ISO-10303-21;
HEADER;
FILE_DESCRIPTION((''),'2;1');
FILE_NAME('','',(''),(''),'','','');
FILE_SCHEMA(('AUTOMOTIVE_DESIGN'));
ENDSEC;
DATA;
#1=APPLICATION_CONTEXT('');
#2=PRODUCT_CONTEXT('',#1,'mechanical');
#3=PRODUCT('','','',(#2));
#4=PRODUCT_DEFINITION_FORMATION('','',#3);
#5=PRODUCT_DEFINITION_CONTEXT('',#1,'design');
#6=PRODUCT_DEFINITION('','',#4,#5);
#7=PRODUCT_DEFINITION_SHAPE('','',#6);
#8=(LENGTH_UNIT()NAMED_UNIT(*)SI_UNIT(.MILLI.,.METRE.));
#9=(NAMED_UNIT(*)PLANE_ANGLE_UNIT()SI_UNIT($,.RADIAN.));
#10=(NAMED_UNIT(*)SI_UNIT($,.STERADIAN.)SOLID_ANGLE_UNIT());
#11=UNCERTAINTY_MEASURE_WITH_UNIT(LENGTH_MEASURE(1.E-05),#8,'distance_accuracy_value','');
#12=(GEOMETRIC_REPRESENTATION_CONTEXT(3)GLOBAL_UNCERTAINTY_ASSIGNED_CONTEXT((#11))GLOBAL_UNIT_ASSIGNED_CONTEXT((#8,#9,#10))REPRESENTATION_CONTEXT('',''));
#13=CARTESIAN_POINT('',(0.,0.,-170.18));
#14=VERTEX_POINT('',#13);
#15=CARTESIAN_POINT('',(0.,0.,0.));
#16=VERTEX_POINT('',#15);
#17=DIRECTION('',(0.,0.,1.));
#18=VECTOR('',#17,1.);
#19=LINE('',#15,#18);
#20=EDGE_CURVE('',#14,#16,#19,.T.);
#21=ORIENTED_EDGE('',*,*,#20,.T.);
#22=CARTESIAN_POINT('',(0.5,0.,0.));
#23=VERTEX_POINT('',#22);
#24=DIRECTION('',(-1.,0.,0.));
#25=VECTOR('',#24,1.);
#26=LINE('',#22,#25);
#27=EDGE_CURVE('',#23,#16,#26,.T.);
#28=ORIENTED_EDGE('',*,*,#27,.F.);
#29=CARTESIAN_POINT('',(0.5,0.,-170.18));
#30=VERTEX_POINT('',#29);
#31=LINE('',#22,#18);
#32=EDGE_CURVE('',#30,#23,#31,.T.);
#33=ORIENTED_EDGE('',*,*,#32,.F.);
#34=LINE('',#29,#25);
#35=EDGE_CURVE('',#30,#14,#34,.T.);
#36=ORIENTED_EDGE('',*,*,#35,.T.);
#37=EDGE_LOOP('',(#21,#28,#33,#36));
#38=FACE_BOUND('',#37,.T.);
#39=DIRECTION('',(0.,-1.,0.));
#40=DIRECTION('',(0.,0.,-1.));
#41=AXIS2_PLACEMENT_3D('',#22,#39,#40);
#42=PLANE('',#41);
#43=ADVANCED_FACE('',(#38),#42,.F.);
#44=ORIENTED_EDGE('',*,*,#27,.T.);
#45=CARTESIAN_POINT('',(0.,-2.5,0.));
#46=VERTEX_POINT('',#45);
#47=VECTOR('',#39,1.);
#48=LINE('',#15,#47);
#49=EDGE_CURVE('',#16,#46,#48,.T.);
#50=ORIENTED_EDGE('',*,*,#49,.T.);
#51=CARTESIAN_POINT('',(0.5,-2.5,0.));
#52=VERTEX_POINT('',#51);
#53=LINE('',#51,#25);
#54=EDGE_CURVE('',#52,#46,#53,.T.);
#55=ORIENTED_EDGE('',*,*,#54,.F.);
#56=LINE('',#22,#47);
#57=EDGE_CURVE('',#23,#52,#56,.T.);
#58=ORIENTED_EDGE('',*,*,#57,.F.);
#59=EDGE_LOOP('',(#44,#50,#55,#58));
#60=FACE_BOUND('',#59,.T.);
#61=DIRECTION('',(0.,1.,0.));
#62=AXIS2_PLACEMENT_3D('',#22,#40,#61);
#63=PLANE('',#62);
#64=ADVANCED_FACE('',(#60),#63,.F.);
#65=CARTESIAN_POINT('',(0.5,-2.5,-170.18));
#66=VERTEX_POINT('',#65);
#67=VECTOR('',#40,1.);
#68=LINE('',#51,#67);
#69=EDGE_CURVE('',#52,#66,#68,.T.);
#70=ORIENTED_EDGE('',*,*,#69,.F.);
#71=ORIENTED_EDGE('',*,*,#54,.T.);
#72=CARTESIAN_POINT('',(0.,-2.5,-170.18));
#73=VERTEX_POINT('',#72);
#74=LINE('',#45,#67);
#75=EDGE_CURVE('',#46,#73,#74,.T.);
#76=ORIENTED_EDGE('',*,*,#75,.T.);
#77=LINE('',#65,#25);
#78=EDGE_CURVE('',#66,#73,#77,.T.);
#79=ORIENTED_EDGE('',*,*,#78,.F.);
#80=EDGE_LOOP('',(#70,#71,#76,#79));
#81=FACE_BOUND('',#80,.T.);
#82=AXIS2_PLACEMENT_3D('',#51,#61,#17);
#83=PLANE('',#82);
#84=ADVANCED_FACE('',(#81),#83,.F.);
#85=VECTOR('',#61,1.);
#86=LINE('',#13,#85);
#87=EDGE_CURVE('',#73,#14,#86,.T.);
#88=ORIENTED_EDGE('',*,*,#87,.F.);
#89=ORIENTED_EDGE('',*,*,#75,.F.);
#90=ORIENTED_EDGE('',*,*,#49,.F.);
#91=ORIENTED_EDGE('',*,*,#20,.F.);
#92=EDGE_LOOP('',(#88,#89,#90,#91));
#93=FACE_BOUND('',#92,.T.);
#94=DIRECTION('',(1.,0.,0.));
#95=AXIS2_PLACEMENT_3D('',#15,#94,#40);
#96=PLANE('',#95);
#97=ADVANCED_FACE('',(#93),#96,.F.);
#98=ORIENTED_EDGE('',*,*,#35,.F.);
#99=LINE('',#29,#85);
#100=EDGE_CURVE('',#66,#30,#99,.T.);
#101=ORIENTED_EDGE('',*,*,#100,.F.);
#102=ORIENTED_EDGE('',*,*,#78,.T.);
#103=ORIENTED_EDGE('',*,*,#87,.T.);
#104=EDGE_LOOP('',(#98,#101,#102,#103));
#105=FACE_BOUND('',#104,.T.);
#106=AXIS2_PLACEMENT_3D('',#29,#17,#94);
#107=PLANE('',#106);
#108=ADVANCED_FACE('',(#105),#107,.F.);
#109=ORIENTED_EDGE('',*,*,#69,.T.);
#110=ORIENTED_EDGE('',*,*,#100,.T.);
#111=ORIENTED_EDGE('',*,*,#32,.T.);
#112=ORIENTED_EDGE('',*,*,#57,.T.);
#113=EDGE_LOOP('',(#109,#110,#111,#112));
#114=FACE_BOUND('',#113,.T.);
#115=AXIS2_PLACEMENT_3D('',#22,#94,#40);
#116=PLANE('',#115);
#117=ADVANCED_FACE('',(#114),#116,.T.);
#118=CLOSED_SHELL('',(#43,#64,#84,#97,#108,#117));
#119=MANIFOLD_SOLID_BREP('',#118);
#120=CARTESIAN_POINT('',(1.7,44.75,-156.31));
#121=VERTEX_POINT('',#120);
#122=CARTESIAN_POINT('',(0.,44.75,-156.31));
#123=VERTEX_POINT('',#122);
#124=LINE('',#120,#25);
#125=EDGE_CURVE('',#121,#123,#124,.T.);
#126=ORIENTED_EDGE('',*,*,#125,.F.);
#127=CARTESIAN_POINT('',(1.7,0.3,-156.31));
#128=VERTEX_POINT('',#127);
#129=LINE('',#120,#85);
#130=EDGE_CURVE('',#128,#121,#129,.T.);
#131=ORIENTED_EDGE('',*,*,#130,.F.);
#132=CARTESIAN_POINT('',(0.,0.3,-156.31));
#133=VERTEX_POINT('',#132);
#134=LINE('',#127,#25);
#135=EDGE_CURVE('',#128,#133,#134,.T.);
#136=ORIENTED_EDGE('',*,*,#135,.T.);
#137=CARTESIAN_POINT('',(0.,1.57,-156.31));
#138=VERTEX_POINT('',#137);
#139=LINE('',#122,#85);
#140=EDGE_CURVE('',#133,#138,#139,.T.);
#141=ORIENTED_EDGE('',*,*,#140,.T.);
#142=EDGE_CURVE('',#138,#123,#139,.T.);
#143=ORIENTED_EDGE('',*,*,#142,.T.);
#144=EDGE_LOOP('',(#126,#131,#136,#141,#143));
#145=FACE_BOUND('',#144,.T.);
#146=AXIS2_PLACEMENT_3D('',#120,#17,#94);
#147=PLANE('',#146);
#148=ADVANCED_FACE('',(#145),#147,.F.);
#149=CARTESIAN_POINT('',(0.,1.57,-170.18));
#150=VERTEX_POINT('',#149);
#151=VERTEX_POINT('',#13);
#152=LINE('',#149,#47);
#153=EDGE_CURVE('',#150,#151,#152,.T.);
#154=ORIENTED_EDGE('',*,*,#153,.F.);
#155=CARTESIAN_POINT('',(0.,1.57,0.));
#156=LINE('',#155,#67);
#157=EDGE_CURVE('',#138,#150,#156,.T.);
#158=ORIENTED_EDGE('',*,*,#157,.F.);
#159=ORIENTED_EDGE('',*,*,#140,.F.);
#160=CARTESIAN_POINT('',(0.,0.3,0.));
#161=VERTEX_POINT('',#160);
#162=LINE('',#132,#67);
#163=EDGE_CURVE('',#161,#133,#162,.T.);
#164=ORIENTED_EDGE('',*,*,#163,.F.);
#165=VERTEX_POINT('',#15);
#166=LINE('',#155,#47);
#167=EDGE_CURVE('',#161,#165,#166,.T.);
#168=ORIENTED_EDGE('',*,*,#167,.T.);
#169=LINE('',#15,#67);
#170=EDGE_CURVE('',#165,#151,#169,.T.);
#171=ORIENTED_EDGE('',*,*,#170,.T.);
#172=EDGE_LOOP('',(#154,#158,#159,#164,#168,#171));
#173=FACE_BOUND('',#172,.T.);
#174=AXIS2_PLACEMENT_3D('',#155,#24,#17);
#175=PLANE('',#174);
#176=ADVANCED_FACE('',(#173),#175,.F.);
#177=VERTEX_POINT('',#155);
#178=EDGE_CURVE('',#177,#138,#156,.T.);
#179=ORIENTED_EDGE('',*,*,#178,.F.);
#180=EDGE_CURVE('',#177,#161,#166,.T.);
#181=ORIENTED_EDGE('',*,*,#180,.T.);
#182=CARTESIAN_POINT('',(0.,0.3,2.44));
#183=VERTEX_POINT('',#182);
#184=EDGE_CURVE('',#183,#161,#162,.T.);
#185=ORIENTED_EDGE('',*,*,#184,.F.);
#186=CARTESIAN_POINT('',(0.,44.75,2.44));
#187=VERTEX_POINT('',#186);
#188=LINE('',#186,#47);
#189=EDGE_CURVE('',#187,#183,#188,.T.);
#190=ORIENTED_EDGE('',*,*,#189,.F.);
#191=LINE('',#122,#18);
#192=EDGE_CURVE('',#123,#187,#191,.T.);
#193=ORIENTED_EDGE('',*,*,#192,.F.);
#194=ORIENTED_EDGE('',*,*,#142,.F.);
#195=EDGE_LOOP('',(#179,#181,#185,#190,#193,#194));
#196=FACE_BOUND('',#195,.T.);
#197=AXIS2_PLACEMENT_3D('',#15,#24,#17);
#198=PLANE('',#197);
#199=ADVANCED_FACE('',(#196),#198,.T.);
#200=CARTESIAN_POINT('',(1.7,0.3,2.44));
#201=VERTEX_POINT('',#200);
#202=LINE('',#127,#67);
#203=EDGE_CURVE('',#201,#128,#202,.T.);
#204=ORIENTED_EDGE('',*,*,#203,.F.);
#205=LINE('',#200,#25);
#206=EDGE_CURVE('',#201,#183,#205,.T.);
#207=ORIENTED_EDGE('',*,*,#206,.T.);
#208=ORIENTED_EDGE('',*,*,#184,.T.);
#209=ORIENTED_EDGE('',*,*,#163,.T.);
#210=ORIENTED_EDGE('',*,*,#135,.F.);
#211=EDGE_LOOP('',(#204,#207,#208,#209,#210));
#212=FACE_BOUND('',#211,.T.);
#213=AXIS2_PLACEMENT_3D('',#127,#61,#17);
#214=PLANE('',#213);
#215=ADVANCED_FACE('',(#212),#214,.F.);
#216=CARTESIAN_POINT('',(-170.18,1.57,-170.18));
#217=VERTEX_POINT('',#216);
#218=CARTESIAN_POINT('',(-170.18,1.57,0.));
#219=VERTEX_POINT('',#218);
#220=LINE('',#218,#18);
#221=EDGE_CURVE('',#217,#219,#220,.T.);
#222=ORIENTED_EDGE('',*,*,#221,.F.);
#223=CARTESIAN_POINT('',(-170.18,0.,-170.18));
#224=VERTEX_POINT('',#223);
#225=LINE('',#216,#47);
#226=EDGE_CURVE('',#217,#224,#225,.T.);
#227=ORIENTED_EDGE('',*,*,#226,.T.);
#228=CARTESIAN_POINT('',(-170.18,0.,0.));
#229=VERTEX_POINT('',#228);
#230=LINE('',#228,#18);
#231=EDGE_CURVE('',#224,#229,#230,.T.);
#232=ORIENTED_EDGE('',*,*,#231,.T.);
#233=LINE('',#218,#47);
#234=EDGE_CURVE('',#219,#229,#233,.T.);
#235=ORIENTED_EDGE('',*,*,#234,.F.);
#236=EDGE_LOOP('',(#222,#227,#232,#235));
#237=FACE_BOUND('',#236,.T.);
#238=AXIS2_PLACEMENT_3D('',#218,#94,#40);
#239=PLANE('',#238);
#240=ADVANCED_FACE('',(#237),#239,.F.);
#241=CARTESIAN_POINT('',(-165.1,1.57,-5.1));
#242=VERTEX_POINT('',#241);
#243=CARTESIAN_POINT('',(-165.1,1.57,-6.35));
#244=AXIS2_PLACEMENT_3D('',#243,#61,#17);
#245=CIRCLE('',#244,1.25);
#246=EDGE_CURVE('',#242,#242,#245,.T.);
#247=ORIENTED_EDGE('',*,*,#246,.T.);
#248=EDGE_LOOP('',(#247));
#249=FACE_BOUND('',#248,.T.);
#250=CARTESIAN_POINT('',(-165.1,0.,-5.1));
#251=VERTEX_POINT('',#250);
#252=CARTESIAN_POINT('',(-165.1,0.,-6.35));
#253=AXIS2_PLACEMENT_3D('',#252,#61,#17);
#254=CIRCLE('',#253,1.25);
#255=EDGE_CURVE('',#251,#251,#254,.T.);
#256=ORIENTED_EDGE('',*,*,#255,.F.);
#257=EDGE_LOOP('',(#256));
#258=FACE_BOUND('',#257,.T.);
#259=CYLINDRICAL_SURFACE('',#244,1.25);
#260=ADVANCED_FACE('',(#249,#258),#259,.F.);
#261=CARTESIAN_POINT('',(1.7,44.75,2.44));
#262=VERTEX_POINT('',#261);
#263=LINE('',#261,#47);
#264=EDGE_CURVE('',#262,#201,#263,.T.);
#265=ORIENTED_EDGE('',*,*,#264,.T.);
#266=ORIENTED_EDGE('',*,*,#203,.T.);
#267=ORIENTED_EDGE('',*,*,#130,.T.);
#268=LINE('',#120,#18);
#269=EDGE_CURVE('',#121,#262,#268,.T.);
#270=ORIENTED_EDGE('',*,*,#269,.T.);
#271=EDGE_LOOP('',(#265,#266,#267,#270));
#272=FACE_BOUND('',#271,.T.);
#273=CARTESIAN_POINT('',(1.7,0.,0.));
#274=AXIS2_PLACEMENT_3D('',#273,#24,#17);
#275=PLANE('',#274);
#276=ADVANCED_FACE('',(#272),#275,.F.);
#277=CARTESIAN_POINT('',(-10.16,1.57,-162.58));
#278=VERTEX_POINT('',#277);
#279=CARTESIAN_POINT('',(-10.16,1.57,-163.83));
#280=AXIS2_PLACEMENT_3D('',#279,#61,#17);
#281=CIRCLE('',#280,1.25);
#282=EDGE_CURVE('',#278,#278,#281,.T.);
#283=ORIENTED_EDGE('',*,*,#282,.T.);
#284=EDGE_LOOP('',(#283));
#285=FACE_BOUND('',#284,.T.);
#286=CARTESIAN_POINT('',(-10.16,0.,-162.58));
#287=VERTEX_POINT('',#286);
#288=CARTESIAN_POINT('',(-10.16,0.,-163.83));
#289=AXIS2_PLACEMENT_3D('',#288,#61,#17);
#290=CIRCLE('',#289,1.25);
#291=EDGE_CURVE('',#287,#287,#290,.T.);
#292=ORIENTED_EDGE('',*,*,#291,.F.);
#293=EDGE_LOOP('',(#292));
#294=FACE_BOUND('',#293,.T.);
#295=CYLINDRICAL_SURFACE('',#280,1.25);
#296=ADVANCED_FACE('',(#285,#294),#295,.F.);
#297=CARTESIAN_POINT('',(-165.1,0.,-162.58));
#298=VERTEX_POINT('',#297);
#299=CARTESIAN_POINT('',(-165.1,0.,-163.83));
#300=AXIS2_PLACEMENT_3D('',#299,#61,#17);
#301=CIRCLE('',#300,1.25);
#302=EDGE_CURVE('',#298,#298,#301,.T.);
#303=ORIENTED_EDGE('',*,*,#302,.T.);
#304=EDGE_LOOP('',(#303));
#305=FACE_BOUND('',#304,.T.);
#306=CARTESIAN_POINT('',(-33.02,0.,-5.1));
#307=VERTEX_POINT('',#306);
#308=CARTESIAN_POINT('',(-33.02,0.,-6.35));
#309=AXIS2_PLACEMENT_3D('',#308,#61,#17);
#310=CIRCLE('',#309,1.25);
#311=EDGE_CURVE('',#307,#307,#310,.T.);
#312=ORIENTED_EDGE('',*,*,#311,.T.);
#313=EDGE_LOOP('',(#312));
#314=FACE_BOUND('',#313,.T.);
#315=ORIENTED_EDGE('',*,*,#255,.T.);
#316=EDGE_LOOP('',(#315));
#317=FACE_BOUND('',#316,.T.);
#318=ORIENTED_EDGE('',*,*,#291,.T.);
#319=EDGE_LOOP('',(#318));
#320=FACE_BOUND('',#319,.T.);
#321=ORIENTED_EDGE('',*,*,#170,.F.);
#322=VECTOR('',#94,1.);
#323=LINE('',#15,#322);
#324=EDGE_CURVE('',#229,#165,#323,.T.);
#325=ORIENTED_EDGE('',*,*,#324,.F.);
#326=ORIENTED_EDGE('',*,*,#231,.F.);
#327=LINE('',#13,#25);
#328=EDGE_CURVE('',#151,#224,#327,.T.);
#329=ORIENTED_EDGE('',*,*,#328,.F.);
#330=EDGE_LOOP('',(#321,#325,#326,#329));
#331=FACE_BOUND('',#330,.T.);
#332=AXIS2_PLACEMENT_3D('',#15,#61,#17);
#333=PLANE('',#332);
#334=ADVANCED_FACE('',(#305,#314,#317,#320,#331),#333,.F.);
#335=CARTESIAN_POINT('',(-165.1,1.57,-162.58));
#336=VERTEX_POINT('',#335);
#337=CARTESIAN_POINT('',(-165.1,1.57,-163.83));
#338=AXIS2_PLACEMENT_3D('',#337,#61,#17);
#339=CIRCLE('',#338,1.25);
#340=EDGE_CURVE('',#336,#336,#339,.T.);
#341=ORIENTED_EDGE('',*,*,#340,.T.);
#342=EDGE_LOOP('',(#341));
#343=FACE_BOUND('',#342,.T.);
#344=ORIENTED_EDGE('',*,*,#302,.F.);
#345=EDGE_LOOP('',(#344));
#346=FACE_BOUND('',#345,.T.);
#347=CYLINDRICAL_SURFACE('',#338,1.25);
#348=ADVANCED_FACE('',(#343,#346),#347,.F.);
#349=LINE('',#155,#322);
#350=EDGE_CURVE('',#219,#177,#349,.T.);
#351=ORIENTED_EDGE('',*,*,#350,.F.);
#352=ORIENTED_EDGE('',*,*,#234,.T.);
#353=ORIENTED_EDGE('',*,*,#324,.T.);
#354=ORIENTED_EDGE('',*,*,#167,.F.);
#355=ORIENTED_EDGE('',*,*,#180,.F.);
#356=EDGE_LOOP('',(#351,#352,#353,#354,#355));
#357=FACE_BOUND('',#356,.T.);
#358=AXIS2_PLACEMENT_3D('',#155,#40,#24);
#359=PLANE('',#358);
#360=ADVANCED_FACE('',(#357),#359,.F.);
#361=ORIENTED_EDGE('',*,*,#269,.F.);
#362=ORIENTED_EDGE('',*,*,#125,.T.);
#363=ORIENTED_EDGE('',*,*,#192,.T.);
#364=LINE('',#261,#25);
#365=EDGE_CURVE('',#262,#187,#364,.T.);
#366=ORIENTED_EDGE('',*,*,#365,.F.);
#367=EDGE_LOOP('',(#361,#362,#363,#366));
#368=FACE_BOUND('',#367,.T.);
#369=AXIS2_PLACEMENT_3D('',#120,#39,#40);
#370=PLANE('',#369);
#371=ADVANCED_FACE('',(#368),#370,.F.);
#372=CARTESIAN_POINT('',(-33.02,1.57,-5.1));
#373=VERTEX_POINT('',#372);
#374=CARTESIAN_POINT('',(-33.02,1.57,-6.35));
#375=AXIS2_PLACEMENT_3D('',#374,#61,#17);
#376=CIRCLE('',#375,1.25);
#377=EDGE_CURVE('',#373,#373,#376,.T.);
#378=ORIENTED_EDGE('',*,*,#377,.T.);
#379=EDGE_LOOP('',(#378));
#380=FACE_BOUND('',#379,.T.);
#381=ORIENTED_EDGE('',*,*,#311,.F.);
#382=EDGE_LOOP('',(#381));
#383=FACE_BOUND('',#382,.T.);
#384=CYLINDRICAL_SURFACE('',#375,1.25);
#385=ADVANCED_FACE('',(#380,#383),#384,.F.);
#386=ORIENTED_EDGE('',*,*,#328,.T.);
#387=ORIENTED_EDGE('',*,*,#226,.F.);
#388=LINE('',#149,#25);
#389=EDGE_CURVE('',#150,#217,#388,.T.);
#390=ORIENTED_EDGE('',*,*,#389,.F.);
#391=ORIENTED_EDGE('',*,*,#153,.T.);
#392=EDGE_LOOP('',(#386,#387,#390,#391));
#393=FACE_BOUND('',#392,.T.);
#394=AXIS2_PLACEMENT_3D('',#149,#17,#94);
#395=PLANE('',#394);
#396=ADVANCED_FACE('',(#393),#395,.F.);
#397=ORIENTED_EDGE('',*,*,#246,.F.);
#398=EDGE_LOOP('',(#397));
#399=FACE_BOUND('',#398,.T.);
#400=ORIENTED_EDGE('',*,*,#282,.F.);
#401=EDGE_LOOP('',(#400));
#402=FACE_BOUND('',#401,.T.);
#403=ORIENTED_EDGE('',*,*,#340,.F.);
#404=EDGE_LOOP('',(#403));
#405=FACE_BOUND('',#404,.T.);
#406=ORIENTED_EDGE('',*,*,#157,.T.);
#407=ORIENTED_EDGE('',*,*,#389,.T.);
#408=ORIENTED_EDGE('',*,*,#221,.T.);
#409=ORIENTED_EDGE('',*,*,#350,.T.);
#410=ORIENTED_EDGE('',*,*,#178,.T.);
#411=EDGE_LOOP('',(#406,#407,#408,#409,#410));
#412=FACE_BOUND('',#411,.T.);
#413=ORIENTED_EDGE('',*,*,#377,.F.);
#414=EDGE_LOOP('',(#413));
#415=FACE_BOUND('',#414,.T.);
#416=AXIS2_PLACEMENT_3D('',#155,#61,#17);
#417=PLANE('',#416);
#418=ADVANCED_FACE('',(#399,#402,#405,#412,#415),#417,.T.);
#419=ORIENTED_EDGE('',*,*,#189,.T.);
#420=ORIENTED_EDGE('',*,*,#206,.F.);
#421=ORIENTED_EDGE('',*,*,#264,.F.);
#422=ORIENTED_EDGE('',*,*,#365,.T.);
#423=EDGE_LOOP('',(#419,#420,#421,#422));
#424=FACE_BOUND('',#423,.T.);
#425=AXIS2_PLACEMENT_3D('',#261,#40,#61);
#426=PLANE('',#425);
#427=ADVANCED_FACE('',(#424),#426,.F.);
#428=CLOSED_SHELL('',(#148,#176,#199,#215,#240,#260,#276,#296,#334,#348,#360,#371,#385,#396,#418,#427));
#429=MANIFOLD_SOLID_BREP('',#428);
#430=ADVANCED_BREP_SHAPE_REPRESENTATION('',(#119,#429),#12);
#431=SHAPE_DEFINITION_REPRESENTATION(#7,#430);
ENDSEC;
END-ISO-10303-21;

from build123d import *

# Parameters (mm, degrees)
SKETCH1_W              = 170.18
SKETCH1_H              = 170.18
PCB_DEPTH              = 1.57
M3X0_5_TAPPED_HOLE1_D  = 2.5
SKETCH5_W              = 158.75
SKETCH5_H              = 44.45
IO_SHIELD_DEPTH        = 1.7
SKETCH6_W              = 170.18
SKETCH6_H              = 2.5
IO_SHIELD_FLANGE_DEPTH = 0.5


with BuildPart() as part:
    # Sketch1 → pcb (new body)
    with BuildSketch(Plane(origin=(0, 0, 0), x_dir=(1, 0, 0), z_dir=(0, 1, 0))):
        with Locations((-85.09, 85.09)):
            Rectangle(SKETCH1_W, SKETCH1_H)
    extrude(amount=PCB_DEPTH)

    # M3x0.5 Tapped Hole1 (through all)
    with Locations(Plane(origin=(-165.1, 1.57, -163.83), x_dir=(0, 0, 1), z_dir=(0, 1, 0))):
        with Locations((0, 0), (0, 154.94), (157.48, 132.08), (157.48, 0)):
            Hole(M3X0_5_TAPPED_HOLE1_D / 2)

    # Sketch5 → io-shield (add)
    with BuildSketch(Plane(origin=(0, 0, 0), x_dir=(0, 0, -1), z_dir=(1, 0, 0))):
        with Locations((76.935, 22.525)):
            Rectangle(SKETCH5_W, SKETCH5_H)
    extrude(amount=IO_SHIELD_DEPTH)


with BuildPart() as body_2:
    # Sketch6 → io-shield-flange (new body)
    with BuildSketch(Plane(origin=(0, 0, 0), x_dir=(0, 0, -1), z_dir=(1, 0, 0))):
        with Locations((85.09, -1.25)):
            Rectangle(SKETCH6_W, SKETCH6_H)
    extrude(amount=IO_SHIELD_FLANGE_DEPTH)


solid = Compound([part.part, body_2.part])
